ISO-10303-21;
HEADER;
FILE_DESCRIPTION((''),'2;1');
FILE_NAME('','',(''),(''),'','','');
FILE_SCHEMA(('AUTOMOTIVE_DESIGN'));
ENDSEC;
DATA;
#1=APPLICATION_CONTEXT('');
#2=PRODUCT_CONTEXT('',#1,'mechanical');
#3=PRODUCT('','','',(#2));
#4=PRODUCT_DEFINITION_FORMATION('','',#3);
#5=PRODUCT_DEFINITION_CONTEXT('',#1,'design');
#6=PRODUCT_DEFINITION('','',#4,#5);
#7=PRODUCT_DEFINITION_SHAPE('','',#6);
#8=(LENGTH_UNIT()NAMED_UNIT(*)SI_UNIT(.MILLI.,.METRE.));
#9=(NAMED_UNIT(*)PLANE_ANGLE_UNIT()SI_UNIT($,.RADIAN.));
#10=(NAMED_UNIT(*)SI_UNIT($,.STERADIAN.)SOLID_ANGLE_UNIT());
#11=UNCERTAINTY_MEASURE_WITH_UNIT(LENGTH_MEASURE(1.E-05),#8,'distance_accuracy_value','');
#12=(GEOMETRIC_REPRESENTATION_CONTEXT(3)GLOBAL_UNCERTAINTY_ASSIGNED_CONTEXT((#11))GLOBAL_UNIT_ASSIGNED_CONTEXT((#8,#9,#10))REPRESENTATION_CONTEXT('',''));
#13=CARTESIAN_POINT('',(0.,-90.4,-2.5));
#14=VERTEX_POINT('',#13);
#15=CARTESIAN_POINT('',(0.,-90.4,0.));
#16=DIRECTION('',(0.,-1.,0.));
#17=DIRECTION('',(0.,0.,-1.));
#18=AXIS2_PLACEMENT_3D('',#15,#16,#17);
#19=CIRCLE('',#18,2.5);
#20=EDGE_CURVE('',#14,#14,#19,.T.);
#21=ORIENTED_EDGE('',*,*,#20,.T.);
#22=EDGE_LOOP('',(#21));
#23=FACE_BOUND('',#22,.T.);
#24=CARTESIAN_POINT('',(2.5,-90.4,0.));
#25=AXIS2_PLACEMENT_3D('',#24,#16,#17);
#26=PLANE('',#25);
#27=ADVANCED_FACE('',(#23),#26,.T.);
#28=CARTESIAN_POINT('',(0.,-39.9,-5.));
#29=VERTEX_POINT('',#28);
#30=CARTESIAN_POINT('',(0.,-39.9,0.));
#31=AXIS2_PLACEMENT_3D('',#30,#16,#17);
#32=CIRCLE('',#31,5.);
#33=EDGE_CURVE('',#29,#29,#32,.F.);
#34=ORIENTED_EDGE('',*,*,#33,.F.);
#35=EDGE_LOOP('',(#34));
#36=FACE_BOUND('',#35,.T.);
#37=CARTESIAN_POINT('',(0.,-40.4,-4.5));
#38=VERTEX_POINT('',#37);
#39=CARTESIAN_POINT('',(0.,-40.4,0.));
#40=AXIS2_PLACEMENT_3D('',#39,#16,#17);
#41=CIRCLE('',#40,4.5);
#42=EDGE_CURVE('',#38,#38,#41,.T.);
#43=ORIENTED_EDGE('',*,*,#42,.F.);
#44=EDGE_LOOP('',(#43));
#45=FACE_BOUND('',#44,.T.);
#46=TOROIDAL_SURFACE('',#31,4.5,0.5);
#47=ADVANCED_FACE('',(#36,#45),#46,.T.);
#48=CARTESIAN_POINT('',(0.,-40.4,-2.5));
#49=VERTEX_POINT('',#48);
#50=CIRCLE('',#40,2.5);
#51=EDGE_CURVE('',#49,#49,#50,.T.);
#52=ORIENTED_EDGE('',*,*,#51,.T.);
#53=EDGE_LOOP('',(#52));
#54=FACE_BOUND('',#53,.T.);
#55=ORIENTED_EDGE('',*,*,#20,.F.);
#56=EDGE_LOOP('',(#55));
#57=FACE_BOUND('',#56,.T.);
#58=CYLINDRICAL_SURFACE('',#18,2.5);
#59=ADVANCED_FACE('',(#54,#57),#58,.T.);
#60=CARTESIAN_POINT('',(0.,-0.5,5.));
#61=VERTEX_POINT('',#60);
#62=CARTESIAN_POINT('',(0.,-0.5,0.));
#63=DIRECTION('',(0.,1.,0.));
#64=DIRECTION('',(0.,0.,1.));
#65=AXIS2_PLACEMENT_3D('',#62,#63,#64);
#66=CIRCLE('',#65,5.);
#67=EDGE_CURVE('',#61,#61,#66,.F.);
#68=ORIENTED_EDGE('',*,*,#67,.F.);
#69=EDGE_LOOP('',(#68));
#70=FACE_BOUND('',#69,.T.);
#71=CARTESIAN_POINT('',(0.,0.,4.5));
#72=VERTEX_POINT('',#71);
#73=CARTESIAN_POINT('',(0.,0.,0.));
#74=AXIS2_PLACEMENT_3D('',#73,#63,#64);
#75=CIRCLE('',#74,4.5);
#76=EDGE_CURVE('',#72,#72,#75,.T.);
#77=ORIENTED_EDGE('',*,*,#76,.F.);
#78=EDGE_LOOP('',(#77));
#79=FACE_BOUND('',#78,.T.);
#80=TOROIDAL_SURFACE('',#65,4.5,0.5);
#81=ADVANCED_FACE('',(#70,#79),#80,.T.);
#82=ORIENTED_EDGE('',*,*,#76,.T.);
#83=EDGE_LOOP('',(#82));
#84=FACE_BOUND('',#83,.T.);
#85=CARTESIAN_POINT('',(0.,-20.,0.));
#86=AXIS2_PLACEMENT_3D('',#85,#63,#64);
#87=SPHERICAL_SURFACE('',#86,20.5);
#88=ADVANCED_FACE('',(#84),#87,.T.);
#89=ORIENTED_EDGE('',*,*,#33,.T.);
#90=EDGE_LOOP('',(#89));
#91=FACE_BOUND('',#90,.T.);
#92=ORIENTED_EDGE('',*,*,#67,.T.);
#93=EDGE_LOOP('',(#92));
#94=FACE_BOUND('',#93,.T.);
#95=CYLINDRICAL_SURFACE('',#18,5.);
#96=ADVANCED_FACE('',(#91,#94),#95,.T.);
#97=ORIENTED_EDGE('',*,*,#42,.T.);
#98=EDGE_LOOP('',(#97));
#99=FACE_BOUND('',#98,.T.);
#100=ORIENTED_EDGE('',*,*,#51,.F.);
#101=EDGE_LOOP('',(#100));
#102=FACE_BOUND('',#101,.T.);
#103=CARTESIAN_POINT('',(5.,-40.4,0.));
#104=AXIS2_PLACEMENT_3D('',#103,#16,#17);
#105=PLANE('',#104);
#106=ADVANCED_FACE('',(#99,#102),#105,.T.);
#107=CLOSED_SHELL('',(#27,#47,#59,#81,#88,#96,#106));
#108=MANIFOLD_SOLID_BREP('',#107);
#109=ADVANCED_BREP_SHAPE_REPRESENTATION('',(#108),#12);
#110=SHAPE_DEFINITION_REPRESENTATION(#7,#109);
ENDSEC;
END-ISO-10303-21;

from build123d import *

# Parameters (mm, degrees)
FILLET1_R         = 0.5
DOME1_FACE_RADIUS = 4.5
DOME1_HEIGHT      = 0.5


with BuildPart() as part:
    # Sketch1 → Revolve1 (revolve)
    with BuildSketch(Plane.XY):
        Polygon((0, 0), (5, 0), (5, -40.4), (2.5, -40.4), (2.5, -90.4), (0, -90.4), align=None)
    revolve(axis=Axis((0, -90.4, 0), (0, 1, 0)))

    # Fillet1
    fillet1_edges = [part.edges().sort_by_distance(p)[0] for p in [
        (-5, -40.4, 0),
        (-5, 0, 0),
    ]]
    fillet(fillet1_edges, radius=FILLET1_R)

    # Dome1: a dome of height H over a round flat face of radius A is a cap of a sphere of radius (A * A + H * H) / (2 * H)
    dome1_r = (DOME1_FACE_RADIUS * DOME1_FACE_RADIUS + DOME1_HEIGHT * DOME1_HEIGHT) / (2 * DOME1_HEIGHT)
    dome1_base = Plane((0, 0, 0), z_dir=(0, 1, 0))
    with Locations(dome1_base.offset(DOME1_HEIGHT - dome1_r)):
        dome1_ball = Sphere(dome1_r, mode=Mode.PRIVATE)
    add(split(dome1_ball, bisect_by=dome1_base, keep=Keep.TOP, mode=Mode.PRIVATE))


solid = part.part
